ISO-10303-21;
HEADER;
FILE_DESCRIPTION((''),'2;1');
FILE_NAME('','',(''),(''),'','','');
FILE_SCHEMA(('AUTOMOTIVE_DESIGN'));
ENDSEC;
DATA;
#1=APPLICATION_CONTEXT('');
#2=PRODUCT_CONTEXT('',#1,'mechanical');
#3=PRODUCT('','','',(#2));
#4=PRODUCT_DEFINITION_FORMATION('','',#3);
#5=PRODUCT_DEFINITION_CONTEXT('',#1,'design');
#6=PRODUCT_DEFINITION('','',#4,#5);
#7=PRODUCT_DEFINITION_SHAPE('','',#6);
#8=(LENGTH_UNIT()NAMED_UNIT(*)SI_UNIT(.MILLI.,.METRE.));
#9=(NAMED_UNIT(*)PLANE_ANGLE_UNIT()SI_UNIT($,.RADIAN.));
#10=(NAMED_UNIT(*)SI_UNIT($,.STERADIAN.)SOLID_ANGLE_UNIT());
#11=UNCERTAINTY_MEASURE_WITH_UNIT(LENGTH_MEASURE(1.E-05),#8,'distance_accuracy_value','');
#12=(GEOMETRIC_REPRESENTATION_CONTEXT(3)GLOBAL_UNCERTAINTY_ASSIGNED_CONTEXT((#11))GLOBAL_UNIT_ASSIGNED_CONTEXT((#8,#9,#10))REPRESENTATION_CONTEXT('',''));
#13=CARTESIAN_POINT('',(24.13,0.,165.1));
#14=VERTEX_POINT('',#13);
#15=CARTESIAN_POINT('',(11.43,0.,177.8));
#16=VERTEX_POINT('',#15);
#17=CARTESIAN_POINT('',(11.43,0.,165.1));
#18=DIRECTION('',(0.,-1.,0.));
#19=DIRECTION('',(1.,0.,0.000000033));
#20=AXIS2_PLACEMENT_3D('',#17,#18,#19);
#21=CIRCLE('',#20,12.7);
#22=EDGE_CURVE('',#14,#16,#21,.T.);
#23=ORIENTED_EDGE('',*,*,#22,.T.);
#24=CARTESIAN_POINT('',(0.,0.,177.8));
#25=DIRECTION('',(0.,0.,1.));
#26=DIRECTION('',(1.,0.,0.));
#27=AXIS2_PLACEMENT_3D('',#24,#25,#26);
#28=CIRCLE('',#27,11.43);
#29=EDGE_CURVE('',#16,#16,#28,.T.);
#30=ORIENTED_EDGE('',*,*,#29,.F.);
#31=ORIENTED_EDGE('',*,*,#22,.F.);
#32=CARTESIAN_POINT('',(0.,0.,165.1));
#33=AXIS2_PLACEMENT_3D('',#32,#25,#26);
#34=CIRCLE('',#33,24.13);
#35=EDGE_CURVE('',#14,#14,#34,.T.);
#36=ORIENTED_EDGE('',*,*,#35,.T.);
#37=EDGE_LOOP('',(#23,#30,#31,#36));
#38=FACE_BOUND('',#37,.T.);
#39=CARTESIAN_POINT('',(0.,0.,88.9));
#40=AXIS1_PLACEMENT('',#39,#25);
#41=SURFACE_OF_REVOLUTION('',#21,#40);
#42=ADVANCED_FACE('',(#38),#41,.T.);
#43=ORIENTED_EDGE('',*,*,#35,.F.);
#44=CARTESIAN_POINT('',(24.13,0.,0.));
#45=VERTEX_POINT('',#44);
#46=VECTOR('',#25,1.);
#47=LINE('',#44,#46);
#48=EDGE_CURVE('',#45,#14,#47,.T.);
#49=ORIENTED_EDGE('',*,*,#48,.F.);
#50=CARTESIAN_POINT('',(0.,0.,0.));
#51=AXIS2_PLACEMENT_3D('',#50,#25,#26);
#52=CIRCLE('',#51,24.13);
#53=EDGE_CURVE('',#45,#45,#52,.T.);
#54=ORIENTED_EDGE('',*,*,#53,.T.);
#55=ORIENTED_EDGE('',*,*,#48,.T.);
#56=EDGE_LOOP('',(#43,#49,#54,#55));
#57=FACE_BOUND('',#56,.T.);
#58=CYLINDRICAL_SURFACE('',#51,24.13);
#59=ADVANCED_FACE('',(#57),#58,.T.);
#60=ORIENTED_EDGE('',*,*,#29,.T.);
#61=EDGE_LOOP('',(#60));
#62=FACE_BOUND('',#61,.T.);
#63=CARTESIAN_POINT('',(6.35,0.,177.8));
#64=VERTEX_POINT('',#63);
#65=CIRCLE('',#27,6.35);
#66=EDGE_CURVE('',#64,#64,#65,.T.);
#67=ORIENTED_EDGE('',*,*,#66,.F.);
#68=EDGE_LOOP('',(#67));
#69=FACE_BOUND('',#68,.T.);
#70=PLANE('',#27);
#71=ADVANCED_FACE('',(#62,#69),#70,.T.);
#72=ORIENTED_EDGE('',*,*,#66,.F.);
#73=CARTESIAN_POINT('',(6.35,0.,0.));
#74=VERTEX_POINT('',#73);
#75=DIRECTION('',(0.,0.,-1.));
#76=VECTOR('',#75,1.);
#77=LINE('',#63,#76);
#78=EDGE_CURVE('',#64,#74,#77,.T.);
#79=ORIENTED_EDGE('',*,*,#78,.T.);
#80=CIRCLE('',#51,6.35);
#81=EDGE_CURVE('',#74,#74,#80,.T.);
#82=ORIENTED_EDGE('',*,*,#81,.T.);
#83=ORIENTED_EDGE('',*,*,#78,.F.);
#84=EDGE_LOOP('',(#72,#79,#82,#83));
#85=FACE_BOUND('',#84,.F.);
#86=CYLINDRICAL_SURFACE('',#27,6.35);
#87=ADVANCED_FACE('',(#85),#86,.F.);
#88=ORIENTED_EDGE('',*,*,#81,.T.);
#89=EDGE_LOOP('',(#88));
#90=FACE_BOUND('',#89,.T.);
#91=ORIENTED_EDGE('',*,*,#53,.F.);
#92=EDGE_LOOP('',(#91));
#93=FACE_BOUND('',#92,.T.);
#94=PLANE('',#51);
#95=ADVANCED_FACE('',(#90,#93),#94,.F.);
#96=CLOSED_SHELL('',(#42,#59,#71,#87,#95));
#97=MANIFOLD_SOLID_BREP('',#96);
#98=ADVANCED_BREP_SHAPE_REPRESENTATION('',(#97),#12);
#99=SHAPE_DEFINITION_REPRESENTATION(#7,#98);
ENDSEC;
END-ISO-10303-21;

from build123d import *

# Parameters (mm, degrees)
F2_R     = 6.35
F3_DEPTH = 177.8


with BuildPart() as f1:
    # F0 (on Front) → F1 (revolve)
    with BuildSketch(Plane.XZ):
        with BuildLine():
            Line((0, 177.8), (0, 0))
            Line((0, 0), (24.13, 0))
            Line((24.13, 0), (24.13, 165.1))
            ThreePointArc((24.13, 165.1), (20.410256, 174.080256), (11.43, 177.8))
            Line((11.43, 177.8), (0, 177.8))
        make_face()
    revolve(axis=Axis((0, 0, 88.9), (0, 0, 1)))

    # F2 (on face) → F3 (cut)
    with BuildSketch(Plane.XY.offset(177.8)):
        Circle(F2_R)
    extrude(amount=-F3_DEPTH, mode=Mode.SUBTRACT)


solid = f1.part
